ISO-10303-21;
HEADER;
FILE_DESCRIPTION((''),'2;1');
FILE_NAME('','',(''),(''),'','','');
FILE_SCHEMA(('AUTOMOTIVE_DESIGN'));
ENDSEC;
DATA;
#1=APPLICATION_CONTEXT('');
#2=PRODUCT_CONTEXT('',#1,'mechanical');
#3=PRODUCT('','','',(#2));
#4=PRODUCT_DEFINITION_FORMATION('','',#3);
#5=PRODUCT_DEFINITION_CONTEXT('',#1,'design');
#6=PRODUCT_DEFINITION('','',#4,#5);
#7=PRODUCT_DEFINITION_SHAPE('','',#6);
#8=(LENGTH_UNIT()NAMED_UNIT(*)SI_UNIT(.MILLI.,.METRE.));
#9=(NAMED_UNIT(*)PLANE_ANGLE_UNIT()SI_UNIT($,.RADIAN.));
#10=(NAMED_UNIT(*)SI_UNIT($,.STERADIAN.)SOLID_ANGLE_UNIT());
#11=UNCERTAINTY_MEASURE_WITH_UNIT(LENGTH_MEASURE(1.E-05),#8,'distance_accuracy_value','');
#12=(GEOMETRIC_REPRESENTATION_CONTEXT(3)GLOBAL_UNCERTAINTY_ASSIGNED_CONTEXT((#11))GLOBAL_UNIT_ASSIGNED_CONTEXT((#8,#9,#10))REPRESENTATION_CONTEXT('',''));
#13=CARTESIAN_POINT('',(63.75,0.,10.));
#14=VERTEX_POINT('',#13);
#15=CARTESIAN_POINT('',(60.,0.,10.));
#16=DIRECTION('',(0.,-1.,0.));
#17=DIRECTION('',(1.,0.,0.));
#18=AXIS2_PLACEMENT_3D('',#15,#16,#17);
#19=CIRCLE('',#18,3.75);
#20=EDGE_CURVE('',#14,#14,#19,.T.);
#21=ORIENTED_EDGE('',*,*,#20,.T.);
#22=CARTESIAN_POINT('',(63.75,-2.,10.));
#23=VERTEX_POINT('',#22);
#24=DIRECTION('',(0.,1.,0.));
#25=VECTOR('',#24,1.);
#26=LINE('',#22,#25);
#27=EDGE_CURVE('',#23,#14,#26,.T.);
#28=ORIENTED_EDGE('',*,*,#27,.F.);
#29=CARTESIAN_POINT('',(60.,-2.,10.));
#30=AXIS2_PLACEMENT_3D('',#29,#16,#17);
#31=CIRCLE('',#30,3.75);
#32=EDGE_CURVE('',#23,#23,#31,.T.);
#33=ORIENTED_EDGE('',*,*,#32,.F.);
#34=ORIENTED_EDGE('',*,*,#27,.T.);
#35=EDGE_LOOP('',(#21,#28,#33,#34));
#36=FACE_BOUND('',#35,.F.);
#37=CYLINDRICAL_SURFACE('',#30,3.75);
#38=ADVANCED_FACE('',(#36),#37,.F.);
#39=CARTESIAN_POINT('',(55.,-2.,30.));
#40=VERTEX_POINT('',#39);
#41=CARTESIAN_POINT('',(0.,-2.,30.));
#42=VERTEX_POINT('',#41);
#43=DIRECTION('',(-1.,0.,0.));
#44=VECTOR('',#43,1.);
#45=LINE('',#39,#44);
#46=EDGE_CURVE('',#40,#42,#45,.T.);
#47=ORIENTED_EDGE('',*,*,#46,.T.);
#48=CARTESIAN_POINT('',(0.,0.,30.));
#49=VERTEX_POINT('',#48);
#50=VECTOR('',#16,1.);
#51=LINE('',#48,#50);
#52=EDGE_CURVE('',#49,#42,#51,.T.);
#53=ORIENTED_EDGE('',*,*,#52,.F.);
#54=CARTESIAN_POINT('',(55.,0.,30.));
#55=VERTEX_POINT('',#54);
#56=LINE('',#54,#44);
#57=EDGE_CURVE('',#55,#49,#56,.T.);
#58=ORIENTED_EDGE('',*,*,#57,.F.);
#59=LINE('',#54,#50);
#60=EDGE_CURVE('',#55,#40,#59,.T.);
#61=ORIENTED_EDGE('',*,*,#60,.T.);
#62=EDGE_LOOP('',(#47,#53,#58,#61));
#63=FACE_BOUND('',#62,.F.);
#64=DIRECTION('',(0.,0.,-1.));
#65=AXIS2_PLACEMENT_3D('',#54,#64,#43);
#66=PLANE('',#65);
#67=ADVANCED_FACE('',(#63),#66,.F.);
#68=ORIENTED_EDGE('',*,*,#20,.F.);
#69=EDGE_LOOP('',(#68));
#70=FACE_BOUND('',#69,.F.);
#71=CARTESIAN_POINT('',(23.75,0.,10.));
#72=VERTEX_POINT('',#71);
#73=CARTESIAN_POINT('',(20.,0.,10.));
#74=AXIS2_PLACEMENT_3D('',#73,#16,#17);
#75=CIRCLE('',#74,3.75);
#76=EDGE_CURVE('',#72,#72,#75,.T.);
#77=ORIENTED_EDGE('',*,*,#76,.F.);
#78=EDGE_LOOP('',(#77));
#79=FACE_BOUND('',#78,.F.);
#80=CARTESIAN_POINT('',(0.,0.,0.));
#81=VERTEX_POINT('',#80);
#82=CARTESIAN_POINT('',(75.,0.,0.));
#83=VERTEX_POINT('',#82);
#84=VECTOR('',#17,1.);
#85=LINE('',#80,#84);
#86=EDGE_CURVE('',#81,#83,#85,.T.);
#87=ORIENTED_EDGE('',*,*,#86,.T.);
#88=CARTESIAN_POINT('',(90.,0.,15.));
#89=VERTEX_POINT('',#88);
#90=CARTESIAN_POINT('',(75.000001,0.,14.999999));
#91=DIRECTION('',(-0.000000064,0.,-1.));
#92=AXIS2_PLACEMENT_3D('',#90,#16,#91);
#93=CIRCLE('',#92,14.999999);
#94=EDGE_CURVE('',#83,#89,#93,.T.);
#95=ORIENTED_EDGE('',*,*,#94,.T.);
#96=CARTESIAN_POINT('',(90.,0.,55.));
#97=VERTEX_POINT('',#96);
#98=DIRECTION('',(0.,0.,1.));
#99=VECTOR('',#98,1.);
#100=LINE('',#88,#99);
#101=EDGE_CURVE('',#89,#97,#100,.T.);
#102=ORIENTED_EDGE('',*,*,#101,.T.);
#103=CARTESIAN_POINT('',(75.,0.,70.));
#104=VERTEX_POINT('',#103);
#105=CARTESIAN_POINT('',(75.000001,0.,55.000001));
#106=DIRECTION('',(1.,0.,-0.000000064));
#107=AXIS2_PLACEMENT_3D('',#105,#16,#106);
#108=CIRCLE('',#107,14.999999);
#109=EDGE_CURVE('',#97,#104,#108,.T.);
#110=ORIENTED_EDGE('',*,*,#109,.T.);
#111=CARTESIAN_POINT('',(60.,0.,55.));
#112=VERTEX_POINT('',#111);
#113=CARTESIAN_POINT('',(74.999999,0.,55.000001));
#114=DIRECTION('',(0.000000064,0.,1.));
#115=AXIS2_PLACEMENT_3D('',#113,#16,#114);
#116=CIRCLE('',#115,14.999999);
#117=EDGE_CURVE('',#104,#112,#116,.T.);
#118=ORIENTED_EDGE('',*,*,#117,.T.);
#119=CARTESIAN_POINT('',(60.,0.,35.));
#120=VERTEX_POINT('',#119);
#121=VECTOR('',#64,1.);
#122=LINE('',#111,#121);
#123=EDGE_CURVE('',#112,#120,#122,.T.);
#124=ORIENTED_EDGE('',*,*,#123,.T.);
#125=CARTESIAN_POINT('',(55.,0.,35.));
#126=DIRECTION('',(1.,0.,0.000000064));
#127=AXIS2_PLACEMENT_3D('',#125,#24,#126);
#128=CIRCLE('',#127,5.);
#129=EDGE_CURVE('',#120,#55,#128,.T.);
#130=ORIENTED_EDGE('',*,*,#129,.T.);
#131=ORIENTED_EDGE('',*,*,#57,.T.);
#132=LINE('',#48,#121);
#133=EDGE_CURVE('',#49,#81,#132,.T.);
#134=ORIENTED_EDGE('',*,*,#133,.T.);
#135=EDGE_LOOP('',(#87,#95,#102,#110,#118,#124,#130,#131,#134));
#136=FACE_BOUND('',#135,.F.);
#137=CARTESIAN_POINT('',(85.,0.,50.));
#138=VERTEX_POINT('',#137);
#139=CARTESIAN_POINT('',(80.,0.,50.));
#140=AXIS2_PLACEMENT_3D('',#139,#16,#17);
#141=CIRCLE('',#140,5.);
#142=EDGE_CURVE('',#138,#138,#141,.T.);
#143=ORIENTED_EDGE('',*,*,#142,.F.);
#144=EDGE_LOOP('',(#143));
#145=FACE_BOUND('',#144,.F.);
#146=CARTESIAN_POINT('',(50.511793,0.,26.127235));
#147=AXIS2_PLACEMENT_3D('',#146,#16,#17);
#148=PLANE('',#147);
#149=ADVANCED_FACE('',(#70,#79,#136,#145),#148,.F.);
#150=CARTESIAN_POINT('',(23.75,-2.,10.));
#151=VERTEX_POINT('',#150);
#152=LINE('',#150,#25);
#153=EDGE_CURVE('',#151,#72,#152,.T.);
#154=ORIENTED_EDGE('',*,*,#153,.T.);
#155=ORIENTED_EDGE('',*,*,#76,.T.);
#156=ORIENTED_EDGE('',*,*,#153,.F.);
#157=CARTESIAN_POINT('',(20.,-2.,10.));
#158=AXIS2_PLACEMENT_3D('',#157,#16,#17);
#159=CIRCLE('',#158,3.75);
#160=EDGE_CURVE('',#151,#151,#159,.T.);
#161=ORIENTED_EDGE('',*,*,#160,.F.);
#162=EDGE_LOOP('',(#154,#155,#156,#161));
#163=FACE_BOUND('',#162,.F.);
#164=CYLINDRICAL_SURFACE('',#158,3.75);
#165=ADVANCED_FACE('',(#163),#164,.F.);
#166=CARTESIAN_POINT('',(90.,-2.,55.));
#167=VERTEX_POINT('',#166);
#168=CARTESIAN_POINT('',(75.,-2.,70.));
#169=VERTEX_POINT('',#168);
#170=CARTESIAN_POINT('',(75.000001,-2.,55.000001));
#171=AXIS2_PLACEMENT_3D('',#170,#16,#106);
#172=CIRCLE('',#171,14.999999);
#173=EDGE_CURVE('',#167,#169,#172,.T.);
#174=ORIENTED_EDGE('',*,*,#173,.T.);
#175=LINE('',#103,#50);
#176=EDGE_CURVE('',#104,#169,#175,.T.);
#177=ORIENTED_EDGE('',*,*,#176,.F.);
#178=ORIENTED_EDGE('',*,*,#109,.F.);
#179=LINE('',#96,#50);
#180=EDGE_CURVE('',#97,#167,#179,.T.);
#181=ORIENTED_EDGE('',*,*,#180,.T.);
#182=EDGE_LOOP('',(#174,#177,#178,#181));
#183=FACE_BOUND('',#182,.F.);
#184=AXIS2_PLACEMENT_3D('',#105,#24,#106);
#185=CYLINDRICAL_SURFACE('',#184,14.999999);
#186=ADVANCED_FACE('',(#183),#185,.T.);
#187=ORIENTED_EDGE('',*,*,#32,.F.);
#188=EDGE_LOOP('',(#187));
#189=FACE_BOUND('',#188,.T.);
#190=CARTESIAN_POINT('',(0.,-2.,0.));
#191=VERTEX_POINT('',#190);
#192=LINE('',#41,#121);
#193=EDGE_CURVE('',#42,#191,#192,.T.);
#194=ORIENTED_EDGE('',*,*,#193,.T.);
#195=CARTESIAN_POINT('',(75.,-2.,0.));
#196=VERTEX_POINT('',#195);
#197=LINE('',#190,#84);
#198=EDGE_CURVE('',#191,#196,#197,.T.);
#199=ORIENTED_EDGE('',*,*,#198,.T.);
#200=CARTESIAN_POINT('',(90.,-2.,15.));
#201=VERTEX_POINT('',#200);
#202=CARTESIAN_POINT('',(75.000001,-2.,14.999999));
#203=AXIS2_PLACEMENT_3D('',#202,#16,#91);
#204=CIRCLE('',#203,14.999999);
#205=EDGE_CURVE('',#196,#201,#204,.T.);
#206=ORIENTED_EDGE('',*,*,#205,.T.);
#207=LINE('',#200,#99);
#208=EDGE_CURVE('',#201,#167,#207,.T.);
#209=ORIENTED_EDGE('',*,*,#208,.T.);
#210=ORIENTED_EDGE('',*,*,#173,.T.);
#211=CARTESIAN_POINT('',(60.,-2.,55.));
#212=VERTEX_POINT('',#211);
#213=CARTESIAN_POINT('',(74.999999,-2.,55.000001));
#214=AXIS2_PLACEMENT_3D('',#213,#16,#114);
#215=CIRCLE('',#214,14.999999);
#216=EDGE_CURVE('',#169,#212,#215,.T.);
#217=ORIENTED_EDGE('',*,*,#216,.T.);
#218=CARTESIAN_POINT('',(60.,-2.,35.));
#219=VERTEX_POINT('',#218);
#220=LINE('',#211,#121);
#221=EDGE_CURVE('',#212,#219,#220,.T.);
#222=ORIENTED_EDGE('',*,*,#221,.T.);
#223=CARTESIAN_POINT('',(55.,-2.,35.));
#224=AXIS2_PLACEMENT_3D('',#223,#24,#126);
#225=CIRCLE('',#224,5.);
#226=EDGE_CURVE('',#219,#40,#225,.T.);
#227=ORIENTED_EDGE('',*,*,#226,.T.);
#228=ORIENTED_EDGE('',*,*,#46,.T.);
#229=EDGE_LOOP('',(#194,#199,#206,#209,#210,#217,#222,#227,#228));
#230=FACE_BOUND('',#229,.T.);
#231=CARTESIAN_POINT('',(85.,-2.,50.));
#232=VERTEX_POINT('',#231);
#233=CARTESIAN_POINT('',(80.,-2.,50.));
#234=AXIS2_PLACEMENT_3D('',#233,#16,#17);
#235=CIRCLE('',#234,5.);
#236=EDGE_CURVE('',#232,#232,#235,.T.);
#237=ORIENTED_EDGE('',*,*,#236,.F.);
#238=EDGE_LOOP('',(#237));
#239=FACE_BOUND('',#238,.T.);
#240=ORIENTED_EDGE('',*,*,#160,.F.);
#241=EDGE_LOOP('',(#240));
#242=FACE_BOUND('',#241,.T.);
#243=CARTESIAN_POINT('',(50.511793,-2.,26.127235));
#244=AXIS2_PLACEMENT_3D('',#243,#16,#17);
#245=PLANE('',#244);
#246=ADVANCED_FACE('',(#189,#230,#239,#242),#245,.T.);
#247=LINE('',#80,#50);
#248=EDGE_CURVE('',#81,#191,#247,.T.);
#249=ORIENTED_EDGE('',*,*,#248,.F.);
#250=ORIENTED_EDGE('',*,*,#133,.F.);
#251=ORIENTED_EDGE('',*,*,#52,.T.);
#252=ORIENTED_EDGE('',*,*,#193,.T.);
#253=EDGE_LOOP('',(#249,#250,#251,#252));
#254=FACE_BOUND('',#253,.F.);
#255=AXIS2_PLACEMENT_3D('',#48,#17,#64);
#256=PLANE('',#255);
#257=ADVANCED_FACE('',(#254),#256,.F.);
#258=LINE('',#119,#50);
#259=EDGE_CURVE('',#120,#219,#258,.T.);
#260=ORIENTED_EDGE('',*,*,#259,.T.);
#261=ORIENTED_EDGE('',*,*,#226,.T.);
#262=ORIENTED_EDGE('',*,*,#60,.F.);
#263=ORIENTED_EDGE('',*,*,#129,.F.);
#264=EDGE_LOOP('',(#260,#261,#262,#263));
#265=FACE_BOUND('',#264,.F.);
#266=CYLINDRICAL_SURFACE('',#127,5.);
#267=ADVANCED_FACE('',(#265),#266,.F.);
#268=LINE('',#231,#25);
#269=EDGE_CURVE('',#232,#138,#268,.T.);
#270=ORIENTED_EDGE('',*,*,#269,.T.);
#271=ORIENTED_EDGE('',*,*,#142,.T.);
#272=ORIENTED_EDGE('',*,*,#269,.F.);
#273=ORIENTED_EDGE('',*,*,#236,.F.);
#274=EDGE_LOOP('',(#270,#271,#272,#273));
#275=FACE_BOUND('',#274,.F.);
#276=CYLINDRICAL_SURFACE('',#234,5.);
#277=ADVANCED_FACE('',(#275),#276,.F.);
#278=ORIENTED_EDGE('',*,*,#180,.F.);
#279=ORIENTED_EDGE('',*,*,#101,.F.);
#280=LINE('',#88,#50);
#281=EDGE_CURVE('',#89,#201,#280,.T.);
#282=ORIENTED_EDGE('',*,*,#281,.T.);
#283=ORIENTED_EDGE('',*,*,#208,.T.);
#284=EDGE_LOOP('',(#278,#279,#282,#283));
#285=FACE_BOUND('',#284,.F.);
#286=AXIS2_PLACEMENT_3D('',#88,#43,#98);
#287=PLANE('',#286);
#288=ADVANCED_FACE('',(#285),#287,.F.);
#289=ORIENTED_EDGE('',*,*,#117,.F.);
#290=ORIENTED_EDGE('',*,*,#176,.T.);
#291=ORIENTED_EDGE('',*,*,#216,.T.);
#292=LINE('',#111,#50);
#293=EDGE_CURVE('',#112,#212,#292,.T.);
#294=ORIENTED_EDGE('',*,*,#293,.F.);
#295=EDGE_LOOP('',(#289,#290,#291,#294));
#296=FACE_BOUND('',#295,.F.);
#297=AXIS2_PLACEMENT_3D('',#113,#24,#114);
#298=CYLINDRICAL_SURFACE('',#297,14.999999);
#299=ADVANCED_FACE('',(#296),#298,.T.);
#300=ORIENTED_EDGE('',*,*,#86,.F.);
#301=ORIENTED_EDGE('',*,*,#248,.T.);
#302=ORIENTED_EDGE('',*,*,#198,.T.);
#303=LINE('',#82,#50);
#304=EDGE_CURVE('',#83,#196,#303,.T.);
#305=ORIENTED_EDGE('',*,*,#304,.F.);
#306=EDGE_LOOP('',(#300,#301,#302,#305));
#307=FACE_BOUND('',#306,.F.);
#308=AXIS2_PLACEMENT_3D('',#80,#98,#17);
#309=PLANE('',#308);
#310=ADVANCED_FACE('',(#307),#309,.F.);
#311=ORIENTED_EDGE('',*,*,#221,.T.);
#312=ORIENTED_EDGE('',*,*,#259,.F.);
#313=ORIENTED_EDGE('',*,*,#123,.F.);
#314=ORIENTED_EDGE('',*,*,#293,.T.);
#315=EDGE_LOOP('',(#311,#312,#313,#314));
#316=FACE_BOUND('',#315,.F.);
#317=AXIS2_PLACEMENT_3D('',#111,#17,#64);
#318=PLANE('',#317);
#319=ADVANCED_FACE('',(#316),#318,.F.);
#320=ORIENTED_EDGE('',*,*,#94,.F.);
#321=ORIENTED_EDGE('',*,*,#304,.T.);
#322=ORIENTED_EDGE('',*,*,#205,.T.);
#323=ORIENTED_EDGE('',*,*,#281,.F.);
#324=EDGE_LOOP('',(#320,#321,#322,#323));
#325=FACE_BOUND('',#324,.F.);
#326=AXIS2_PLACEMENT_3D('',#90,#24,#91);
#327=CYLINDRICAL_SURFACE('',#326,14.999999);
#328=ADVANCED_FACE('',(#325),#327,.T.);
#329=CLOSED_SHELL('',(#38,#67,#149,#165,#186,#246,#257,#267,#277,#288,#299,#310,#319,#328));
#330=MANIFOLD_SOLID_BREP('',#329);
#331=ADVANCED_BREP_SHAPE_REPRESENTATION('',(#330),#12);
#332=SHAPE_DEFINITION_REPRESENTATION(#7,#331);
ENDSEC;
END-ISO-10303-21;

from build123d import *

# Parameters (mm, degrees)
F1_DEPTH = 2
F2_R     = 3.75
F2_R_2   = 5
F3_DEPTH = 25


with BuildPart() as f1:
    # F0 (on Front) → F1 (new body)
    with BuildSketch(Plane.XZ):
        with BuildLine():
            Line((0, 30), (0, 0))
            Line((0, 0), (75, 0))
            ThreePointArc((75, 0), (85.606602, 4.393398), (90, 15))
            Line((90, 15), (90, 55))
            ThreePointArc((90, 55), (85.606602, 65.606602), (75, 70))
            ThreePointArc((75, 70), (64.393398, 65.606602), (60, 55))
            Line((60, 55), (60, 35))
            ThreePointArc((60, 35), (58.535534, 31.464466), (55, 30))
            Line((55, 30), (0, 30))
        make_face()
    extrude(amount=F1_DEPTH)

    # F2 (on face) → F3 (cut)
    with BuildSketch(Plane.XZ.offset(2)):
        with Locations((20, 10)):
            Circle(F2_R)
        with Locations((60, 10)):
            Circle(F2_R)
        with Locations((80, 50)):
            Circle(F2_R_2)
    extrude(amount=-F3_DEPTH, mode=Mode.SUBTRACT)


solid = f1.part
